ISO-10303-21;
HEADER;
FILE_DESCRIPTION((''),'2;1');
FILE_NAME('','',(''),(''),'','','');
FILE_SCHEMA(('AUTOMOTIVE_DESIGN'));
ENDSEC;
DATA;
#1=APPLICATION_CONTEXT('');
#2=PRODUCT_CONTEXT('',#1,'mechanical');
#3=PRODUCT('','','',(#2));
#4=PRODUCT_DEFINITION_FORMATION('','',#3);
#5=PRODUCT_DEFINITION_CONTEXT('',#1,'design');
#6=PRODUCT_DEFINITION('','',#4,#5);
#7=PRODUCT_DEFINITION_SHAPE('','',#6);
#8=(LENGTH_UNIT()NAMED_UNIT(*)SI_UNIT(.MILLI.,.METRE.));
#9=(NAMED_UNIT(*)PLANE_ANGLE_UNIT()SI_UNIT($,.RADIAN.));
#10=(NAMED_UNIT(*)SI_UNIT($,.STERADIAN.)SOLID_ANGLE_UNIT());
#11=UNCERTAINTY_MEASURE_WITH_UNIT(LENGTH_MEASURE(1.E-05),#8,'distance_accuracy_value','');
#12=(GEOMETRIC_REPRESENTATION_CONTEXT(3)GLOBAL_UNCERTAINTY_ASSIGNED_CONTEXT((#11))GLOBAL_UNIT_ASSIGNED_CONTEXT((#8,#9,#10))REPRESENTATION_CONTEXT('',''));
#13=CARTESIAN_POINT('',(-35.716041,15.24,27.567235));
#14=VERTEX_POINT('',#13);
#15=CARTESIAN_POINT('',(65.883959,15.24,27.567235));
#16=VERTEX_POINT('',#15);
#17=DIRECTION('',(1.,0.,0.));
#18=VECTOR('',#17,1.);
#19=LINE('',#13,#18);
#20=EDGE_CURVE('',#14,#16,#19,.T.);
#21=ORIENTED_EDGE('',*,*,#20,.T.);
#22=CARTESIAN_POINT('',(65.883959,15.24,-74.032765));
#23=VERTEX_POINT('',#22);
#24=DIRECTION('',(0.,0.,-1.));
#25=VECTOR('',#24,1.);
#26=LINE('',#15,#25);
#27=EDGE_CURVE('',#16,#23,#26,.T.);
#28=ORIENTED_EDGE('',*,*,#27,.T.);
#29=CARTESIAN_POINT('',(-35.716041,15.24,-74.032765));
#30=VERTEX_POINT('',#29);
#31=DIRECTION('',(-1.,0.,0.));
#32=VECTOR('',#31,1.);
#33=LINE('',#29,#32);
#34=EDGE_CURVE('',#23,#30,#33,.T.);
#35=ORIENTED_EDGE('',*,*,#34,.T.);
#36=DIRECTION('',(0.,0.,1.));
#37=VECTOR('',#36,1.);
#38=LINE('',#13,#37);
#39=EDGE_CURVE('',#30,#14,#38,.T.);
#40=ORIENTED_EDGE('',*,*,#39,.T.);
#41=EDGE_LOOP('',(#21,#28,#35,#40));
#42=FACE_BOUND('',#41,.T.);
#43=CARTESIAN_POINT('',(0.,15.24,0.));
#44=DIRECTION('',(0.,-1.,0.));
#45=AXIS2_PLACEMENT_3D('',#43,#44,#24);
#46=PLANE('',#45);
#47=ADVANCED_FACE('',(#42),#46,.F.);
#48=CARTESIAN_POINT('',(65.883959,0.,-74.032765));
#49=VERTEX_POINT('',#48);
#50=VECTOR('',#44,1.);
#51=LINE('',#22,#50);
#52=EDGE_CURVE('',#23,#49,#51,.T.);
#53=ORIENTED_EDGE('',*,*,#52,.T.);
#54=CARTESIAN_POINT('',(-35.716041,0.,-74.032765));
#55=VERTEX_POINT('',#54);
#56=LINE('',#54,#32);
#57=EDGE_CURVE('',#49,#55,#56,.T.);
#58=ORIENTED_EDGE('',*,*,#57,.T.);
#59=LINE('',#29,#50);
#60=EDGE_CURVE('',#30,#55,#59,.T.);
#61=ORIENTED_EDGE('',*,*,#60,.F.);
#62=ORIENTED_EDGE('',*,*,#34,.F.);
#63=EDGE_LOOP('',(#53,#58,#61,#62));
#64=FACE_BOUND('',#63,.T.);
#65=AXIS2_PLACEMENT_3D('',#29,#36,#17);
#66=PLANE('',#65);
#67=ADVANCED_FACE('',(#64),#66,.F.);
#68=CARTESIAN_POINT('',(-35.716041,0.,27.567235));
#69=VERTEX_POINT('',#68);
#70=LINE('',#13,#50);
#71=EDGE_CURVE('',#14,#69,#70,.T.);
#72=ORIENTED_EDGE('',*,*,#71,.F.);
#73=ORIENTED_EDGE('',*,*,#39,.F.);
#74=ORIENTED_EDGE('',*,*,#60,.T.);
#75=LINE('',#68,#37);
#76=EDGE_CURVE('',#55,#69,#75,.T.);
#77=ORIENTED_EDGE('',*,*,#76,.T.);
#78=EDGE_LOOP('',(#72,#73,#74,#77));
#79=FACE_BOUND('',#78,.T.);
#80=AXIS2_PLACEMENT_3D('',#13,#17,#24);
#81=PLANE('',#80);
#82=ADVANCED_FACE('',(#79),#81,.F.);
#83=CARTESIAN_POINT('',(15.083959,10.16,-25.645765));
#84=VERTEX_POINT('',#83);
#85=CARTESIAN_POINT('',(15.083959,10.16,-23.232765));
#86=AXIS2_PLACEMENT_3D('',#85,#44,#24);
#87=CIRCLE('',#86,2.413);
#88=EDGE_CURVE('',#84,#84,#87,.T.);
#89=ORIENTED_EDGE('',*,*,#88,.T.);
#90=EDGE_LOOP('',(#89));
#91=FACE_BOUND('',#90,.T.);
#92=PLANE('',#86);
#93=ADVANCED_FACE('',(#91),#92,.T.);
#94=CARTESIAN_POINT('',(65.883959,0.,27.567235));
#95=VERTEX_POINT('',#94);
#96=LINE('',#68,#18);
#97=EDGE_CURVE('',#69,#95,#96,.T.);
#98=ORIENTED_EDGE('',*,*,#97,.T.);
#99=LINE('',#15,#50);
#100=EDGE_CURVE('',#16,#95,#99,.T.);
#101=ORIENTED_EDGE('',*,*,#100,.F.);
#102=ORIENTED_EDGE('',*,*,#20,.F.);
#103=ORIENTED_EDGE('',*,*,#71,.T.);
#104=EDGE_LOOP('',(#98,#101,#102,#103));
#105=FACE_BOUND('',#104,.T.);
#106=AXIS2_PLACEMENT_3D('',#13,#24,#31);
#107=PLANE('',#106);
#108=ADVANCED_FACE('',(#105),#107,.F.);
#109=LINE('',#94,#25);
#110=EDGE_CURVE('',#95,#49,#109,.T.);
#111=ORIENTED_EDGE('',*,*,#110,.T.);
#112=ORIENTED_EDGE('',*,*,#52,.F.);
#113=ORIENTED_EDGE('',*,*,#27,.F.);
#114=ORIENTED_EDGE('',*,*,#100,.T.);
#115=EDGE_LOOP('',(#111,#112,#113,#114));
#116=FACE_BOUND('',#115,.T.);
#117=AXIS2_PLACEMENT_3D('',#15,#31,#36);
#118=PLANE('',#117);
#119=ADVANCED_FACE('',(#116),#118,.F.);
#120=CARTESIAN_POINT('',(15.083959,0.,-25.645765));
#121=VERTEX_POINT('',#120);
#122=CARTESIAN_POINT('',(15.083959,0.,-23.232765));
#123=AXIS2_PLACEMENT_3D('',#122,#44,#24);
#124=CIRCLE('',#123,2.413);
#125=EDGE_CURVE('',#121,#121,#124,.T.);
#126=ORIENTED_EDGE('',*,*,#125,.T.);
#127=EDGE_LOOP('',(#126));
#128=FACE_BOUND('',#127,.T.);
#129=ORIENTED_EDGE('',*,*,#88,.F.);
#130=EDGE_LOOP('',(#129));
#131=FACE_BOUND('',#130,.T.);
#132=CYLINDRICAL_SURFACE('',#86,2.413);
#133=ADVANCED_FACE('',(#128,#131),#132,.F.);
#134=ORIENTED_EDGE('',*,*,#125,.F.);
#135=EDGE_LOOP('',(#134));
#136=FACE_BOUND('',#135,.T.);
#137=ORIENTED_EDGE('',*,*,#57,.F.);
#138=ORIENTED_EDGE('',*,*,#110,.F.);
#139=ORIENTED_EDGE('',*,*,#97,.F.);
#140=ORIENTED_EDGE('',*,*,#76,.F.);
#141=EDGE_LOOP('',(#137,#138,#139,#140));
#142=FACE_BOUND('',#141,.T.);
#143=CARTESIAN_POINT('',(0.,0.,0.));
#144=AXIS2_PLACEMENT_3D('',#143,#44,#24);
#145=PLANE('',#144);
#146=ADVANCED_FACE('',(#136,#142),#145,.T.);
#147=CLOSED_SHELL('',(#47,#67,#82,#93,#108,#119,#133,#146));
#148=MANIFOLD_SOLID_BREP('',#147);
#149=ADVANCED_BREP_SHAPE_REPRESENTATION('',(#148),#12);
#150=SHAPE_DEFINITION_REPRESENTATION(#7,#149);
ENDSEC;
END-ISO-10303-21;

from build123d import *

# Parameters (mm, degrees)
SKETCH1_W           = 101.6
SKETCH1_H           = 101.6
BOSS_EXTRUDE1_DEPTH = 15.24
SKETCH2_R           = 2.413
CUT_EXTRUDE1_DEPTH  = 10.16


with BuildPart() as part:
    # Sketch1 → Boss-Extrude1 (new body)
    with BuildSketch(Plane(origin=(0, 0, 0), x_dir=(1, 0, 0), z_dir=(0, 1, 0))):
        with Locations((15.083959044, 23.232764505)):
            Rectangle(SKETCH1_W, SKETCH1_H)
    extrude(amount=BOSS_EXTRUDE1_DEPTH)

    # Sketch2 → Cut-Extrude1 (cut)
    with BuildSketch(Plane.XZ):
        with Locations(Location((15.083959044, -23.232764505, 0), (0, 0, 270))):
            Circle(SKETCH2_R)
    extrude(amount=-CUT_EXTRUDE1_DEPTH, mode=Mode.SUBTRACT)


solid = part.part
